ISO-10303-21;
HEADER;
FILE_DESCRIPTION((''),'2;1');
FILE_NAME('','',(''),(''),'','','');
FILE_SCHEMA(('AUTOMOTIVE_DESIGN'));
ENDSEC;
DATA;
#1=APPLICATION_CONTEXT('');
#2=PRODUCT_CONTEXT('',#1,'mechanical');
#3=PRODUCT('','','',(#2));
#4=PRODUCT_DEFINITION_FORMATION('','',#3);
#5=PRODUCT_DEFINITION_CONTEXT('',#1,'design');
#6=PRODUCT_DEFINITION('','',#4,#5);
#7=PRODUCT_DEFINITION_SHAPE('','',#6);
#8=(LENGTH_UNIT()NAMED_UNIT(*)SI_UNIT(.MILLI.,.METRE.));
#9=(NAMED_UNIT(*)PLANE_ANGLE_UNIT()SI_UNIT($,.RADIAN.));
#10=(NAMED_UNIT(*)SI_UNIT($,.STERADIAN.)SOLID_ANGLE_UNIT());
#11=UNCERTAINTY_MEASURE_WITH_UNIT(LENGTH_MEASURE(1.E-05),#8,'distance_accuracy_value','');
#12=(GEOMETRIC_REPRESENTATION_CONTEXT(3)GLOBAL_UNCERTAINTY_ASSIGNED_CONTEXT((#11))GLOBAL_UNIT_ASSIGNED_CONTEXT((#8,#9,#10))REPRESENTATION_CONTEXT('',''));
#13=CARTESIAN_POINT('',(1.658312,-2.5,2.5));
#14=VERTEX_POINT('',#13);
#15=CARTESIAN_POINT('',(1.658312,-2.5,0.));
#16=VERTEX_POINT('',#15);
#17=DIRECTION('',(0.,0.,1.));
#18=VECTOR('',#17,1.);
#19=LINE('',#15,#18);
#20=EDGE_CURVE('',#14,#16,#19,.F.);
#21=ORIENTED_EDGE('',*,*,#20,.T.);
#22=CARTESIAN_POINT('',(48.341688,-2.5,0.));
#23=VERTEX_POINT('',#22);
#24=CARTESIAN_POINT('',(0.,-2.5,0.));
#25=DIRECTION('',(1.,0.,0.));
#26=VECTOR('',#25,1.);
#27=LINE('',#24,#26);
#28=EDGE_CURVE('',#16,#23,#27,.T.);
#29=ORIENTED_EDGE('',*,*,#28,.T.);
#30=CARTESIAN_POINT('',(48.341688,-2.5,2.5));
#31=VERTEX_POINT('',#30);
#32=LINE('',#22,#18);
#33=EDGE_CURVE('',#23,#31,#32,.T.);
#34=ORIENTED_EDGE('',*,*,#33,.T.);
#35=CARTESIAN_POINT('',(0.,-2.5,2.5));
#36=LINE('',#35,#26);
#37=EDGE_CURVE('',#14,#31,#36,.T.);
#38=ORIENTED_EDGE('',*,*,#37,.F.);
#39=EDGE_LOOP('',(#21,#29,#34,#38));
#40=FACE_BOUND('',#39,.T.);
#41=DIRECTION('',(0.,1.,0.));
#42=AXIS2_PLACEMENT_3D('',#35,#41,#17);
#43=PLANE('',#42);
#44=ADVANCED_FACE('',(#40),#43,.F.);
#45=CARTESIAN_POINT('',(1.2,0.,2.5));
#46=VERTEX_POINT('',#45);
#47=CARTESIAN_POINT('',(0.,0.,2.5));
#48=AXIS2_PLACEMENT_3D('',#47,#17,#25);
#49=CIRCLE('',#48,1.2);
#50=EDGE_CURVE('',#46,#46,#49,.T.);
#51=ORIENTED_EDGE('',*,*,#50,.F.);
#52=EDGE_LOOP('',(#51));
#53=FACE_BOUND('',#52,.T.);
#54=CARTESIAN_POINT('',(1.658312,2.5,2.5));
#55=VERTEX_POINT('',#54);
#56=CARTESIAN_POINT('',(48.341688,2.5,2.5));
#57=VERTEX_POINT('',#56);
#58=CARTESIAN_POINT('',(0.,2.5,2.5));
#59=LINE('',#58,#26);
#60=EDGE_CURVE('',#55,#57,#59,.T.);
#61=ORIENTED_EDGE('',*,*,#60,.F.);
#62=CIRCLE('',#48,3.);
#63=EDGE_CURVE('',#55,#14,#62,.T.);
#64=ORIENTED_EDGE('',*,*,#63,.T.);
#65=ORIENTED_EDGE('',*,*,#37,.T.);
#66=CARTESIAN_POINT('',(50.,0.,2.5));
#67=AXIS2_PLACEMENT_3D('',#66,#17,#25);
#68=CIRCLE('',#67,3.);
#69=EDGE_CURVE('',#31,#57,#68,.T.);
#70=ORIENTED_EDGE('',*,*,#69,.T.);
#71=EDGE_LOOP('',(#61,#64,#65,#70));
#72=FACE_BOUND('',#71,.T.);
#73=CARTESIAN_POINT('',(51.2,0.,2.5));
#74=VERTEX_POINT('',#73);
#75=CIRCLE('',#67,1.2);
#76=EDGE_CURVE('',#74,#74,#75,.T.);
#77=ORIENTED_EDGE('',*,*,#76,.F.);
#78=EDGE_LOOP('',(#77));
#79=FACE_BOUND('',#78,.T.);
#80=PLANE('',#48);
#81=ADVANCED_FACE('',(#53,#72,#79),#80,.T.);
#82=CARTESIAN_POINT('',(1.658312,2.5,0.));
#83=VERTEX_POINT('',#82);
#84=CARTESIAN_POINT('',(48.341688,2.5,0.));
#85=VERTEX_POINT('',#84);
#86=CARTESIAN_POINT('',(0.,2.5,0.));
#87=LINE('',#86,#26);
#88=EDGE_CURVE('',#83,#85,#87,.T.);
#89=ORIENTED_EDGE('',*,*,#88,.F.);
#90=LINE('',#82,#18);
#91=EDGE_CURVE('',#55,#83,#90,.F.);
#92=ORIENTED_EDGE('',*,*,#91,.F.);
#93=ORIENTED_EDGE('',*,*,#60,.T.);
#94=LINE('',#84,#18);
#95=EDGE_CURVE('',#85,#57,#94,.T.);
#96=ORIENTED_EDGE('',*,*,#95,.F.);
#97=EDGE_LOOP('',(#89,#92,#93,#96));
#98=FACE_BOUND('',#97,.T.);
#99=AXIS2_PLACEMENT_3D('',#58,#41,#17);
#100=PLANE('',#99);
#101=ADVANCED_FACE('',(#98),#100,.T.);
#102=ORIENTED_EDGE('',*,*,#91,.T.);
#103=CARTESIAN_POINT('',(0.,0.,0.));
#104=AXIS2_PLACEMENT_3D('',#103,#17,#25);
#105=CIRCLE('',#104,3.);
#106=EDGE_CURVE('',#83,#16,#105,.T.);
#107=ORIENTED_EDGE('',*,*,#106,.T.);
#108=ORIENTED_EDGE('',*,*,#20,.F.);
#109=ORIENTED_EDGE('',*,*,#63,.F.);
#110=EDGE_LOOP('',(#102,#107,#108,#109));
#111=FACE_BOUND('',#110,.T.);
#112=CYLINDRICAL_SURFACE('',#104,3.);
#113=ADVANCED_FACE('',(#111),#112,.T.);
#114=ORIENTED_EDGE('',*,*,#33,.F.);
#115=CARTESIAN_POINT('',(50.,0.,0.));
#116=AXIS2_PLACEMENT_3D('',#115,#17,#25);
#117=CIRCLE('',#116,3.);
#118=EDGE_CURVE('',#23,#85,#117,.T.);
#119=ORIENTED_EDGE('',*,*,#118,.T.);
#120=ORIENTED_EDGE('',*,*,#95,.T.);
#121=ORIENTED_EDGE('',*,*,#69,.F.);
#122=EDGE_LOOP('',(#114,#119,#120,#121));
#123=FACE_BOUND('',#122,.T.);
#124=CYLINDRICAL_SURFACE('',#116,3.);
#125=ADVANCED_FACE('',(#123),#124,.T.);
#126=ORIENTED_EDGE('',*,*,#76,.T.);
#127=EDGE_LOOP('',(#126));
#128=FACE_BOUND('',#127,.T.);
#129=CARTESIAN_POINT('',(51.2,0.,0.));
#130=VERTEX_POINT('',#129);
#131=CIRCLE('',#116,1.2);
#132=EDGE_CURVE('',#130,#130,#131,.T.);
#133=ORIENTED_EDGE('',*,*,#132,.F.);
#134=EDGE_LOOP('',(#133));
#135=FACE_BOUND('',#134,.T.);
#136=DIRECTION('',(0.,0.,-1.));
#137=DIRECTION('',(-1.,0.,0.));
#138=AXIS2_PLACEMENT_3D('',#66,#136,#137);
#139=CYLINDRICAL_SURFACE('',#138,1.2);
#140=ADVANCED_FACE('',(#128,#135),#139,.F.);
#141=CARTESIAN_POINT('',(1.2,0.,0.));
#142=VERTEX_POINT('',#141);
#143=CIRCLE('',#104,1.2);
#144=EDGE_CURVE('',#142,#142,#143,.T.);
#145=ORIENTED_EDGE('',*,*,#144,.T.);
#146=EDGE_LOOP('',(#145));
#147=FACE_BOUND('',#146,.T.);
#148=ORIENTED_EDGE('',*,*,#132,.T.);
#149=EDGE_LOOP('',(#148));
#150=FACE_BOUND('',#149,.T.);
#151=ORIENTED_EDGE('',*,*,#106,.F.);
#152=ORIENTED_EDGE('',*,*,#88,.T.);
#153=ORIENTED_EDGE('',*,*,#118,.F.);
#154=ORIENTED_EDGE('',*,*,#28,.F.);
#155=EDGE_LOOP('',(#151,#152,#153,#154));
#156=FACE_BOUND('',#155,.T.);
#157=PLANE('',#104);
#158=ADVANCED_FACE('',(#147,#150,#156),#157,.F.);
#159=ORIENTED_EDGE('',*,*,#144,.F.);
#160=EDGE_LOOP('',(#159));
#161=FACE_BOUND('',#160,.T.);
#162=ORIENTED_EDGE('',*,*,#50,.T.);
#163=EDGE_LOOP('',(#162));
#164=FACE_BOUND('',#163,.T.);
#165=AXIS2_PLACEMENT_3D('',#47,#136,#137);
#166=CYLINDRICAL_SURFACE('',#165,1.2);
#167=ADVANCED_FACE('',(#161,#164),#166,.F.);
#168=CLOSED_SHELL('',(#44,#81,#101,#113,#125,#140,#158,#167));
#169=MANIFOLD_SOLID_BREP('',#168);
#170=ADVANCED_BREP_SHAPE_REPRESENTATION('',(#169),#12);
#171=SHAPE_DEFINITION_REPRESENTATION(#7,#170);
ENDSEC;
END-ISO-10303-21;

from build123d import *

# Parameters (mm, degrees)
SKETCH14_R          = 1.2
BOSS_EXTRUDE1_DEPTH = 2.5
SKETCH15_R          = 3
SKETCH15_R_2        = 1.2
BOSS_EXTRUDE2_DEPTH = 2.5


with BuildPart() as part:
    # Sketch14 → Boss-Extrude1 (new body)
    with BuildSketch(Plane.XY):
        with BuildLine():
            Line((50, 2.5), (0, 2.5))
            ThreePointArc((0, 2.5), (-2.5, 0), (0, -2.5))
            Line((0, -2.5), (50, -2.5))
            ThreePointArc((50, -2.5), (52.5, 0), (50, 2.5))
        make_face()
        Circle(SKETCH14_R, mode=Mode.SUBTRACT)
        with Locations((50, 0)):
            Circle(SKETCH14_R, mode=Mode.SUBTRACT)
    extrude(amount=BOSS_EXTRUDE1_DEPTH)

    # Sketch15 → Boss-Extrude2 (add)
    with BuildSketch(Plane.XY.offset(2.5)):
        with Locations((50, 0)):
            Circle(SKETCH15_R)
        with Locations((50, 0)):
            Circle(SKETCH15_R_2, mode=Mode.SUBTRACT)
        Circle(SKETCH15_R)
        Circle(SKETCH15_R_2, mode=Mode.SUBTRACT)
    extrude(amount=-BOSS_EXTRUDE2_DEPTH)


solid = part.part
